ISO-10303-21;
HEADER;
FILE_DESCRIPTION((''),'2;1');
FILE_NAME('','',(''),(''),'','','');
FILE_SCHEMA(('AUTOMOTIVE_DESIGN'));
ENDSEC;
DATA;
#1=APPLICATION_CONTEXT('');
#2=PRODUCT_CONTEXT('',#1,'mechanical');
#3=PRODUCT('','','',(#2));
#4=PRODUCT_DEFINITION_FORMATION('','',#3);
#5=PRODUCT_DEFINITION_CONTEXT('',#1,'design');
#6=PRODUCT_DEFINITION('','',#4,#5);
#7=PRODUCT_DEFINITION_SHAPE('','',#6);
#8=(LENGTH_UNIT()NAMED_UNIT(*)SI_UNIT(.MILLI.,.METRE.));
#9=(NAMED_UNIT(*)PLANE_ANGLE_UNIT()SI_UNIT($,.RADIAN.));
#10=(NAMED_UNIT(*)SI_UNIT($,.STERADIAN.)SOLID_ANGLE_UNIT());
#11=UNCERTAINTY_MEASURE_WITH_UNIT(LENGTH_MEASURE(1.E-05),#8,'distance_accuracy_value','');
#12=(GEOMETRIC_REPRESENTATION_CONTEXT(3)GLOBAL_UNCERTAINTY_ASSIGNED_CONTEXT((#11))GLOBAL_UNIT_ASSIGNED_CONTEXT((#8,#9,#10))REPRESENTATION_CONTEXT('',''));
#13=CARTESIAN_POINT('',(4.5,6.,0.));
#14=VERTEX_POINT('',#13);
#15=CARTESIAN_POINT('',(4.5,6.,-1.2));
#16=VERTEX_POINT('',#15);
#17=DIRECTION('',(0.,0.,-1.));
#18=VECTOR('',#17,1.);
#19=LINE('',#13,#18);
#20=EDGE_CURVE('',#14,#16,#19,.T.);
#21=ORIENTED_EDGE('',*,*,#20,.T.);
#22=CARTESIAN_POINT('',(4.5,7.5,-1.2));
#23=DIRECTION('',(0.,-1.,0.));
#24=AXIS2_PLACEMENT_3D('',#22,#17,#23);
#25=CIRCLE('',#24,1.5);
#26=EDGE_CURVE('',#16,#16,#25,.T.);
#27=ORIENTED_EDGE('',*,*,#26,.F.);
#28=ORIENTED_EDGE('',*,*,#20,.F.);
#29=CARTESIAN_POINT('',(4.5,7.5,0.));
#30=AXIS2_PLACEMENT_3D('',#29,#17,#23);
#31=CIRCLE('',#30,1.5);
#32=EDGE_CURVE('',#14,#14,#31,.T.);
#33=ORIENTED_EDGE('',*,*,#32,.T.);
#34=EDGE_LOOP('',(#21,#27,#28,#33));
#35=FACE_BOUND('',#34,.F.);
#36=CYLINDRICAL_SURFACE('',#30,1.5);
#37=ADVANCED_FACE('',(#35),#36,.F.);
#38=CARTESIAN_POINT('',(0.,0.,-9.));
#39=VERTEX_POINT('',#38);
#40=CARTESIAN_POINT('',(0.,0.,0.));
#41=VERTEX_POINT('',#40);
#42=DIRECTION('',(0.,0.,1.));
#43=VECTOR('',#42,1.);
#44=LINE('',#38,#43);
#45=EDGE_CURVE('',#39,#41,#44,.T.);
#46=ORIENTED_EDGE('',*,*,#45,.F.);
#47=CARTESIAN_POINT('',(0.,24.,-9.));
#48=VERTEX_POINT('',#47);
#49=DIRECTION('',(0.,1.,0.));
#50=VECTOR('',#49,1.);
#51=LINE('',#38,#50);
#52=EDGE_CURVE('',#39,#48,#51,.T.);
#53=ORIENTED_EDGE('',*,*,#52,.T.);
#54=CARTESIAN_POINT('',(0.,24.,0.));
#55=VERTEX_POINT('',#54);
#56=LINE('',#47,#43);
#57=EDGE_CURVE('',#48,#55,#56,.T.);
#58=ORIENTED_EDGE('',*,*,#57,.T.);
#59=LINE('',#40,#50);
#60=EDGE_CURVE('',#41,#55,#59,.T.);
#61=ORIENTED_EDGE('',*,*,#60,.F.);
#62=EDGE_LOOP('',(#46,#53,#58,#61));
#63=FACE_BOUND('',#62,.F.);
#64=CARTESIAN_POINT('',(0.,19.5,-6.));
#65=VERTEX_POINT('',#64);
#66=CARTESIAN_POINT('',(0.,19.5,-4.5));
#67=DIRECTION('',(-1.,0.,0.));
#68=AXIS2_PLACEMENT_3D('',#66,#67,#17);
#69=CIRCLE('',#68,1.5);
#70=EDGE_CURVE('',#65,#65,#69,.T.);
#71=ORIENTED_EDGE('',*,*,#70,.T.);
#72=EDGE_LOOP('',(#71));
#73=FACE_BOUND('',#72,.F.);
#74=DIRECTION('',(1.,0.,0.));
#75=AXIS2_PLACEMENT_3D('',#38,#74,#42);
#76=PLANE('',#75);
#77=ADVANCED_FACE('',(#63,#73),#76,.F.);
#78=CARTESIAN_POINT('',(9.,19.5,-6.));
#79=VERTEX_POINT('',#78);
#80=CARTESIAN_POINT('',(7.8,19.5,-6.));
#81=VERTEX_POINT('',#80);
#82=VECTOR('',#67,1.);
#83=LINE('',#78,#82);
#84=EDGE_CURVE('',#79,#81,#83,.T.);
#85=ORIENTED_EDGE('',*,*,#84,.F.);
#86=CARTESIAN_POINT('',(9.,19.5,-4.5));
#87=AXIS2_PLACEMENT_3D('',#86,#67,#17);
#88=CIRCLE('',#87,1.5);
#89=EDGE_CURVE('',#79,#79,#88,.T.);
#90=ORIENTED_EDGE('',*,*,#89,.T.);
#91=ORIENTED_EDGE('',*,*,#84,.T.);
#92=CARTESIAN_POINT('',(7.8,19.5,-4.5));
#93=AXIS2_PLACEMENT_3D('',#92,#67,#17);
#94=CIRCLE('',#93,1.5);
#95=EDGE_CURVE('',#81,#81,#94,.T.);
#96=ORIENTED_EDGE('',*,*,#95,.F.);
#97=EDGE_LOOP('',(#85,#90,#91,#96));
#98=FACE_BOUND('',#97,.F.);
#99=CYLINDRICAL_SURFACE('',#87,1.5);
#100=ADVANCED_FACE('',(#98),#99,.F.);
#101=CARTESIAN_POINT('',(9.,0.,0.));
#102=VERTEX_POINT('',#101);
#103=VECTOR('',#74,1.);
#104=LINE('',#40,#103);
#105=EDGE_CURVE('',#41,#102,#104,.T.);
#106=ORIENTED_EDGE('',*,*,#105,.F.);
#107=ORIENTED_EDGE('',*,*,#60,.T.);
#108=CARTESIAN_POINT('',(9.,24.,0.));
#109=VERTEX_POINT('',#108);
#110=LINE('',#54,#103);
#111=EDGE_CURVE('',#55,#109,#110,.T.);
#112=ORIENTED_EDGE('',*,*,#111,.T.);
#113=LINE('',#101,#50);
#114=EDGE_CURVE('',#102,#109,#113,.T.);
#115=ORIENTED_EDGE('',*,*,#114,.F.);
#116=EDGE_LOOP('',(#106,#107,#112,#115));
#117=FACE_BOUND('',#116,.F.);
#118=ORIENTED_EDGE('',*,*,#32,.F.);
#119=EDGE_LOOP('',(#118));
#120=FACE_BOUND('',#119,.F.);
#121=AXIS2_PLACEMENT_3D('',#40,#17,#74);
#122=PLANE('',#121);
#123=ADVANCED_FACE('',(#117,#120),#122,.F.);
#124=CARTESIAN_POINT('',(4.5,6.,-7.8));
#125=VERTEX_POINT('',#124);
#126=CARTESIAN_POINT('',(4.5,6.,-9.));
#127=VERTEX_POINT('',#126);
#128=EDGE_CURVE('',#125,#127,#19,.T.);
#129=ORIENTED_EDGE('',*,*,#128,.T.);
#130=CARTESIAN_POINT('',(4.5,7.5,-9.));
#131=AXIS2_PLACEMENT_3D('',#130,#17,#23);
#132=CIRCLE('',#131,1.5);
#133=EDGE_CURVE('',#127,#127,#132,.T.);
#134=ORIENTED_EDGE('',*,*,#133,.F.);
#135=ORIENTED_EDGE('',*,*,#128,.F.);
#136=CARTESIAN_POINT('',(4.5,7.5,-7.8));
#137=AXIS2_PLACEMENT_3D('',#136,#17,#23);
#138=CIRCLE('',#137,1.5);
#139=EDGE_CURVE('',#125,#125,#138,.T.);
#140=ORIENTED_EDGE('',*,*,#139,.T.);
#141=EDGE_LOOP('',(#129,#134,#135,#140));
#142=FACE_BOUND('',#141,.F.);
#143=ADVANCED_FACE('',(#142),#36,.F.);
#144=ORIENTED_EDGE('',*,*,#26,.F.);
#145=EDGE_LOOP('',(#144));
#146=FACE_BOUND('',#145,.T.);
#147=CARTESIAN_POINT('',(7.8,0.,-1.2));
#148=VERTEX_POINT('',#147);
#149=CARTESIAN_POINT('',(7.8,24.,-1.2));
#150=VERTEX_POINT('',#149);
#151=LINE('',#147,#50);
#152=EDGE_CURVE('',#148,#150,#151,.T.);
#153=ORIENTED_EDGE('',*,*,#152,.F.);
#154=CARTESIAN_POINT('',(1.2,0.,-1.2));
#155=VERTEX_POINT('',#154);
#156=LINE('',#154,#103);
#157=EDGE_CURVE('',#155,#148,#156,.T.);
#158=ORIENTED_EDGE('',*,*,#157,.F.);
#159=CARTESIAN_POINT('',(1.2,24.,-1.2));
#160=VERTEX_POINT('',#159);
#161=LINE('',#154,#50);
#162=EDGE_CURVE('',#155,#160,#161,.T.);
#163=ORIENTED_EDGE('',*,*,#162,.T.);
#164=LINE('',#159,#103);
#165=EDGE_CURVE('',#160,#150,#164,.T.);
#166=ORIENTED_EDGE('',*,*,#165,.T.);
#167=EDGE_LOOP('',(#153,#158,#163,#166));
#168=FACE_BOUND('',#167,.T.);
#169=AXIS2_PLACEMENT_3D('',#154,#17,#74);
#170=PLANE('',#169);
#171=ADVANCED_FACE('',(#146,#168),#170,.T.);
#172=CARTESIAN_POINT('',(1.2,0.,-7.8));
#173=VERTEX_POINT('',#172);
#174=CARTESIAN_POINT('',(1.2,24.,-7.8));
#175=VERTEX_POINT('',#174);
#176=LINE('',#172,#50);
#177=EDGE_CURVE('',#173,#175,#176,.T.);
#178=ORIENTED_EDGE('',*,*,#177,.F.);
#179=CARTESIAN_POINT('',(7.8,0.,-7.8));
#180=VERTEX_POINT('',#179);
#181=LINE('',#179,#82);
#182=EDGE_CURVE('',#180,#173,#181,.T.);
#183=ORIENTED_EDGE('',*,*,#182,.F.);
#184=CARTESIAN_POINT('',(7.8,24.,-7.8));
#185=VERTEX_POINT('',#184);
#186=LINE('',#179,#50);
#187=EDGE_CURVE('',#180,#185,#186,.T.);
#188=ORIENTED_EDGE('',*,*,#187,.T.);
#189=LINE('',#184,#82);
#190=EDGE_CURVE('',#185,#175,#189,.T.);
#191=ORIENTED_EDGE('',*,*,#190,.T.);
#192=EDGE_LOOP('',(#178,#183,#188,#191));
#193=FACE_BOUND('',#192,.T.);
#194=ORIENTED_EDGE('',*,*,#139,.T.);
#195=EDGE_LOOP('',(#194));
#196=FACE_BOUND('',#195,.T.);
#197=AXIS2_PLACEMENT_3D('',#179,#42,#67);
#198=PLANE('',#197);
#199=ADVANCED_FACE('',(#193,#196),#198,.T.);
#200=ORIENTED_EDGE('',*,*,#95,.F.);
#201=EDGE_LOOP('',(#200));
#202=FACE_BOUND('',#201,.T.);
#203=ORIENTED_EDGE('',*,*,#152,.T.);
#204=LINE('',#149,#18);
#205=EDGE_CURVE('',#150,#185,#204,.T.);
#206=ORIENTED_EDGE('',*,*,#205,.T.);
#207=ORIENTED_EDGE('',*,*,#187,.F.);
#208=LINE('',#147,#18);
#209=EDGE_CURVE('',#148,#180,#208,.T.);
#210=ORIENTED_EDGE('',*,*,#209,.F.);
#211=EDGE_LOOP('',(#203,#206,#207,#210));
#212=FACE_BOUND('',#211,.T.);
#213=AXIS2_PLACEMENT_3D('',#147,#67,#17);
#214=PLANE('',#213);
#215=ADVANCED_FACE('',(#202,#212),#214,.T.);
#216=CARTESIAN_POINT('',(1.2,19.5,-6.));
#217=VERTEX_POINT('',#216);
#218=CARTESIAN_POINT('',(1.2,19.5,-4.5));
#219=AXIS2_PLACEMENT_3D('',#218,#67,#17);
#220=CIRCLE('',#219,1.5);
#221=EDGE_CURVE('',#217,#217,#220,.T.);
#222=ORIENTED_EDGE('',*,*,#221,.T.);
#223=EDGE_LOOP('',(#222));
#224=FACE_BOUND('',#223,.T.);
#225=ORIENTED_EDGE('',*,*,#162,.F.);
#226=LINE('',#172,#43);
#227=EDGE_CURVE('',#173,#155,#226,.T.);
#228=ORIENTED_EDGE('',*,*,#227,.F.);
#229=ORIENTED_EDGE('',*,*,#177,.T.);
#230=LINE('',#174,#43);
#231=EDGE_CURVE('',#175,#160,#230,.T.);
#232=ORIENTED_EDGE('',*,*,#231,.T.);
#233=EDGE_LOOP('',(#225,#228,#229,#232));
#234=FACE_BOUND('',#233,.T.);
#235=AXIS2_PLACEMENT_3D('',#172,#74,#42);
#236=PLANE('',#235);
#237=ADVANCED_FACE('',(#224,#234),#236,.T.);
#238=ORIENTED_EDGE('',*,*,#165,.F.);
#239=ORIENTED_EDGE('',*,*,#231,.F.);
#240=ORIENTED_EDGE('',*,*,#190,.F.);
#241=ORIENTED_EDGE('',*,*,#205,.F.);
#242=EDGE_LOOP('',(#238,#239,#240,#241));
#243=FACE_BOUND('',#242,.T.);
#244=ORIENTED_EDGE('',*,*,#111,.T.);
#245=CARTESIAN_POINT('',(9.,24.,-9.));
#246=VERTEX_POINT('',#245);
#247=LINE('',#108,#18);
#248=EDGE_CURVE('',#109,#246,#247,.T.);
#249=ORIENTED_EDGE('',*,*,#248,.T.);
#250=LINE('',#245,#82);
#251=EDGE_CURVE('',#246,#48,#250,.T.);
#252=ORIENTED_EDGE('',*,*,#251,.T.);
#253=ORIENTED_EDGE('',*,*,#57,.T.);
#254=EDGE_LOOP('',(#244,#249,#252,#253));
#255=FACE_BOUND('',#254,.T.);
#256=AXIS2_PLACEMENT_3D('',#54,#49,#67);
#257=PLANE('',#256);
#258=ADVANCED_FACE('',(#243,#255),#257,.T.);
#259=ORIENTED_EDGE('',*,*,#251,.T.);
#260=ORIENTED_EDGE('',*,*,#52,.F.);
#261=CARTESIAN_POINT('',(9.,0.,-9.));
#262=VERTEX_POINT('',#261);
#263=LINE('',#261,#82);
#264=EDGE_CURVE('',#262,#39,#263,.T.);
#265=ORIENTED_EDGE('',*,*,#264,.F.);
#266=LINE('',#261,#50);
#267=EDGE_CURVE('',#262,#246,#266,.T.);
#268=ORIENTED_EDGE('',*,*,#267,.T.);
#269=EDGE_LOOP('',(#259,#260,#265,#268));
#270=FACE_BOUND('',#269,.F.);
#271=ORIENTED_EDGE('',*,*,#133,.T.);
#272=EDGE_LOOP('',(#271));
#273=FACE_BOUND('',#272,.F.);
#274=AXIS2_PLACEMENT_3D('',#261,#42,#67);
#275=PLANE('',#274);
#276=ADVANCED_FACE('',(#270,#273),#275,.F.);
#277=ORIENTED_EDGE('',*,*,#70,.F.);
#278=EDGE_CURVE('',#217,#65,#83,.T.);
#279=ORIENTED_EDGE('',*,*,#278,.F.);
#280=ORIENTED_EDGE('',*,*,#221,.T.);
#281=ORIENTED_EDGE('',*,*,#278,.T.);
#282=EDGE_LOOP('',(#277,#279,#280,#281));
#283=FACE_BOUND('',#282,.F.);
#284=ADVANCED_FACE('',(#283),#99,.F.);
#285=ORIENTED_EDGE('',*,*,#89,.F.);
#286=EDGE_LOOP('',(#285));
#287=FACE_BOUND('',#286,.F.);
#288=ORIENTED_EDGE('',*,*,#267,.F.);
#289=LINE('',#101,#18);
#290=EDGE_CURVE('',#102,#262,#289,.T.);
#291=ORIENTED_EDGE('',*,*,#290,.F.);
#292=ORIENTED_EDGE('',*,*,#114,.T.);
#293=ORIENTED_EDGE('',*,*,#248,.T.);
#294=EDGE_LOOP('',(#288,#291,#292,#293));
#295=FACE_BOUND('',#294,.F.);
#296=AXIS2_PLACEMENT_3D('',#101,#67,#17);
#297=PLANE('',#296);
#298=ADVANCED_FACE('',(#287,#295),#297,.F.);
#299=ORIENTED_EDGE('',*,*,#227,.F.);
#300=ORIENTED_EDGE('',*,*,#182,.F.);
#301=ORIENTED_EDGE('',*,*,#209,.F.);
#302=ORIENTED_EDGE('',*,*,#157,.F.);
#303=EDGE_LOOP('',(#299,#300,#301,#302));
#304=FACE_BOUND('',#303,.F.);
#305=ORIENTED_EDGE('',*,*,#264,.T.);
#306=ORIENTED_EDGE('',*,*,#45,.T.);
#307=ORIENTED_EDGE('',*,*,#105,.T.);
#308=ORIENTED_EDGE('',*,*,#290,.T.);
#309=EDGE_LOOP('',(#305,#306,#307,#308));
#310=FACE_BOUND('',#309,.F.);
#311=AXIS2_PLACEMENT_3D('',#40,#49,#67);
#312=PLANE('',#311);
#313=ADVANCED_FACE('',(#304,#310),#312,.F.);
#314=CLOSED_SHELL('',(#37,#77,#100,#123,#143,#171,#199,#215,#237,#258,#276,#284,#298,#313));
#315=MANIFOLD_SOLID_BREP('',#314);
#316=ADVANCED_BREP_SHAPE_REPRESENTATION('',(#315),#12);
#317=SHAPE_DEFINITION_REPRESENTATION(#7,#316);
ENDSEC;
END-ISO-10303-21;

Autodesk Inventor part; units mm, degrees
ref_plane "YZ Plane" through (0, 0, 0) normal (1, 0, 0) x (0, 1, 0)
ref_plane "XZ Plane" through (0, 0, 0) normal (0, 1, 0) x (-1, 0, 0)
ref_plane "XY Plane" through (0, 0, 0) normal (0, 0, 1) x (1, 0, 0)
sketch "スケッチ1" plane through (0, 0, 0) normal (0, 1, 0) x (-1, 0, 0)
  line L0 (0, 0) -> (-9, 0)
  line L1 (-9, 0) -> (-9, -9)
  line L2 (-9, -9) -> (0, -9)
  line L3 (0, -9) -> (0, 0)
  line L4 (-1.2, -1.2) -> (-7.8, -1.2)
  line L5 (-7.8, -1.2) -> (-7.8, -7.8)
  line L6 (-7.8, -7.8) -> (-1.2, -7.8)
  line L7 (-1.2, -7.8) -> (-1.2, -1.2)
  dimension "d0" = 9
  dimension "d1" = 9
  dimension "d2" = 6.6
  dimension "d3" = 6.6
  dimension "d4" = 1.2
  dimension "d5" = 1.2
extrude "押し出し1" add sketch "スケッチ1" along normal blind 24
sketch "スケッチ2" plane through (0, 0, 0) normal (0, 0, 1) x (1, 0, 0)
  line L0 (0, 0) -> (9, 0) projected
  line L1 (9, 0) -> (9, 24) projected
  point P0 (4.5, 7.5)
  dimension "d8" = 7.5
  dimension "d9" = 4.5
hole "穴1" at (4.5, 7.5, 0) direction (0, 0, -1) diameter 3 end through all
sketch "スケッチ3" plane through (9, 0, 0) normal (1, 0, 0) x (0, 0, -1)
  line L0 (0, 24) -> (9, 24) projected
  line L1 (9, 0) -> (9, 24) projected
  point P0 (0, 0)
  point P1 (4.5, 19.5)
  dimension "d17" = 4.5
  dimension "d18" = 4.5
hole "穴2" at (9, 19.5, -4.5) direction (-1, 0, 0) diameter 3 end through all
equation "\"d5\" = d4"
equation "\"d18\" = d17"
properties part number "前後直動9x9x24" material "アルミニウム 6061"
